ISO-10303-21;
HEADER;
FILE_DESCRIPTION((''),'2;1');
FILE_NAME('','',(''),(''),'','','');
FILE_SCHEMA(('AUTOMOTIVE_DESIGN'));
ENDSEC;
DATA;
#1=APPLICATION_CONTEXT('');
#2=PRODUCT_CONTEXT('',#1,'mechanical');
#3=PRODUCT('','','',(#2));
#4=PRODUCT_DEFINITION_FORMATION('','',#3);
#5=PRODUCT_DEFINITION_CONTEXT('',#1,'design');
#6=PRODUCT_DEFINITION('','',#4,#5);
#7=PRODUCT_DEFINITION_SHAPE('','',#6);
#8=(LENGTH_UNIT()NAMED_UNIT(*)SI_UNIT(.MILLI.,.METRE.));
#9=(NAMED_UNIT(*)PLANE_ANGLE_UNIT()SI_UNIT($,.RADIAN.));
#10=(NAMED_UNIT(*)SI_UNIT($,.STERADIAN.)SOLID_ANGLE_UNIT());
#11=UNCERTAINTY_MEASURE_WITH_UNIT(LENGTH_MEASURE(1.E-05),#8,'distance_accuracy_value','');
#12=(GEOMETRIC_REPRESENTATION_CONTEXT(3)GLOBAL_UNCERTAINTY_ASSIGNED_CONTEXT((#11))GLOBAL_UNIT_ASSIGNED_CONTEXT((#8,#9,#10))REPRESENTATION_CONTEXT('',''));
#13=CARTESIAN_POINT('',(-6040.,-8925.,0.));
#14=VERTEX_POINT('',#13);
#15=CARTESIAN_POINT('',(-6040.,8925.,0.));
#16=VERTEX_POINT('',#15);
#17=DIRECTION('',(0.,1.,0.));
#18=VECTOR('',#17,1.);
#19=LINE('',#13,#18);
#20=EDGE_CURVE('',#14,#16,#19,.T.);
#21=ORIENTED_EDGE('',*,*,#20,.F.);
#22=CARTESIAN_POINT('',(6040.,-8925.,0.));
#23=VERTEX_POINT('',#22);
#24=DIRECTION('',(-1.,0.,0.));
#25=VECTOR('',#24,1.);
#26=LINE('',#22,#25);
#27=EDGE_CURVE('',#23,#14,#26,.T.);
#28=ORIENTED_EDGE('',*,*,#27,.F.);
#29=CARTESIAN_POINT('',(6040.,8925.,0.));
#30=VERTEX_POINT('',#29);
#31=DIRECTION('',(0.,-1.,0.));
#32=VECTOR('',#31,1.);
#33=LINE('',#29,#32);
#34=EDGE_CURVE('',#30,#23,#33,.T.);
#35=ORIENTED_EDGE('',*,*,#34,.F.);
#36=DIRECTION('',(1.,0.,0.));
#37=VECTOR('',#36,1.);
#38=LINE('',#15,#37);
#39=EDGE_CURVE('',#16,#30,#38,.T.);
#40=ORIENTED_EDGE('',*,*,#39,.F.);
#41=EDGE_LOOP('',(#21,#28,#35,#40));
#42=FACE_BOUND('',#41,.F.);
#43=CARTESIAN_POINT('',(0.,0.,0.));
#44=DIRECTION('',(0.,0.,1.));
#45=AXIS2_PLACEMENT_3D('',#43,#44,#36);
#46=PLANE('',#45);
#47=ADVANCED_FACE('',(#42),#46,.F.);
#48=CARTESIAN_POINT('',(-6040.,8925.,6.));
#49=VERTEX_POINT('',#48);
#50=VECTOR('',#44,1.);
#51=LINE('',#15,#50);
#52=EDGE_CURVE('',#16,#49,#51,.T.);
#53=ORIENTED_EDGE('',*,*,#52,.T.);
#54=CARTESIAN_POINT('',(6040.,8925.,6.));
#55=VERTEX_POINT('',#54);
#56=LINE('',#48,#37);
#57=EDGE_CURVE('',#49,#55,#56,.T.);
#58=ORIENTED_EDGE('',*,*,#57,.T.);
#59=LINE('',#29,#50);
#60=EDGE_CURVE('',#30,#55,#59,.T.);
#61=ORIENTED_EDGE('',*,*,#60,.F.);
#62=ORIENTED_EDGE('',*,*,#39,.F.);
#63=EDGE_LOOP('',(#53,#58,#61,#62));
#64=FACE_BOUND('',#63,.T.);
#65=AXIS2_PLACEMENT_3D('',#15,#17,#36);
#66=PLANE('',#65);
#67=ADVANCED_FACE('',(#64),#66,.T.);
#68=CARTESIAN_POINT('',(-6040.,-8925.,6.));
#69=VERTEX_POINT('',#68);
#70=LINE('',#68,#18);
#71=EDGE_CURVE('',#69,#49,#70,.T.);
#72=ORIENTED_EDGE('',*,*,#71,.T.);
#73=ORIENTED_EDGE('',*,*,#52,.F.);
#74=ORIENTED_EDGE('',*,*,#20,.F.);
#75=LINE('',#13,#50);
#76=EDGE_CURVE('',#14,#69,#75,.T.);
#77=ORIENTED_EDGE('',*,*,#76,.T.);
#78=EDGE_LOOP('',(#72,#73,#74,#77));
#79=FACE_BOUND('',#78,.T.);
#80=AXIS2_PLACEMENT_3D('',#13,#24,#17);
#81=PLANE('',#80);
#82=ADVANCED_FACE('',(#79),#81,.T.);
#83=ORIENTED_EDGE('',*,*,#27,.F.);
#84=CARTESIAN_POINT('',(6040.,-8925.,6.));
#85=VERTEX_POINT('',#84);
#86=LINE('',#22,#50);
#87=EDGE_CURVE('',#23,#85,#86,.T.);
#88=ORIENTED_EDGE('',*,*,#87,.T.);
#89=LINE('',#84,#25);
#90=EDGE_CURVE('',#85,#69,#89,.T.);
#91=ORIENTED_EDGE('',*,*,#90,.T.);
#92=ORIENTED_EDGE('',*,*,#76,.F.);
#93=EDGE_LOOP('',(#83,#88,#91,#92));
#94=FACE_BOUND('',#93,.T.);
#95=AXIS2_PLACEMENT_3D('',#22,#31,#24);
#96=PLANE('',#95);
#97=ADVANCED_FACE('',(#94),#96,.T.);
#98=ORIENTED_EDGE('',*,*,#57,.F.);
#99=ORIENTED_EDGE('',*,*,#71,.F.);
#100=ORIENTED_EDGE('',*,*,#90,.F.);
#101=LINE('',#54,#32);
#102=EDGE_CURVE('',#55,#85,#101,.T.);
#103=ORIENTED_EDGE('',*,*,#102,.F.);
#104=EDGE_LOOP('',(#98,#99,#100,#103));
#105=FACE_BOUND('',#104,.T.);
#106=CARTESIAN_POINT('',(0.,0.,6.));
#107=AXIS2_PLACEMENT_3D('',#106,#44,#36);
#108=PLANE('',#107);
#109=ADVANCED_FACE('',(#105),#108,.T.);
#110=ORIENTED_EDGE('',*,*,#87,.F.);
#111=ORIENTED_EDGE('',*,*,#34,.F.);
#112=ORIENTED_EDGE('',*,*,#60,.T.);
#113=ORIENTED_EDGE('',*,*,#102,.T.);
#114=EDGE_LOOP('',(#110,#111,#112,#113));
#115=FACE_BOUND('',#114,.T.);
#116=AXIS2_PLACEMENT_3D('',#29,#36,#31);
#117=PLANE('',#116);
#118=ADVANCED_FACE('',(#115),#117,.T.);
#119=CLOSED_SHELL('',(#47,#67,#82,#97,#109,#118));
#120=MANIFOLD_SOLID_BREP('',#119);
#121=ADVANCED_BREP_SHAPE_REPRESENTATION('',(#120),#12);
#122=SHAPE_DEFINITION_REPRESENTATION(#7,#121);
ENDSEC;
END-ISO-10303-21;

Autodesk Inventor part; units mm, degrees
ref_plane "YZ Plane" through (0, 0, 0) normal (1, 0, 0) x (0, 1, 0)
ref_plane "XZ Plane" through (0, 0, 0) normal (0, 1, 0) x (-1, 0, 0)
ref_plane "XY Plane" through (0, 0, 0) normal (0, 0, 1) x (1, 0, 0)
sketch "Sketch1" plane through (0, 0, 0) normal (0, 0, 1) x (1, 0, 0)
  line L0 (6040, -8925) -> (-6040, -8925)
  line L1 (-6040, -8925) -> (-6040, 8925)
  line L2 (-6040, 8925) -> (6040, 8925)
  line L3 (6040, 8925) -> (6040, -8925)
  line L4 (6040, -8925) -> (-6040, 8925) construction
  line L5 (-6040, -8925) -> (6040, 8925) construction
  point P0 (0, 0)
  dimension "d0" = 12080
  dimension "d1" = 17850
extrude "Plate1" add sketch "Sketch1" along normal blind 6
sketch "Sketch2" plane through (0, 0, 6) normal (0, 0, 1) x (1, 0, 0)
  line L0 (6040, 8925) -> (6040, -8925)
  line L1 (-6040, 8925) -> (6040, 8925) projected
  line L2 (-6040, -8925) -> (-6040, 8925) projected
  line L3 (6040, -8925) -> (-6040, -8925) projected
  line L4 (5840, -8725) -> (5840, 8725)
  line L5 (5840, 8725) -> (-5840, 8725)
  line L6 (-5840, 8725) -> (-5840, -8725)
  line L7 (-5840, -8725) -> (5840, -8725)
  line L8 (6040, 8925) -> (-6040, 8925) projected
  line L9 (6040, 8925) -> (4540, 8925)
  line L10 (4540, 8925) -> (4540, 5925)
  line L11 (4540, 5925) -> (6040, 5925)
  line L12 (6040, 5925) -> (6040, 8925)
  line L13 (6040, -8925) -> (6040, 8925) projected
  line L14 (6040, 5915.3074) -> (4540, 5915.3074)
  line L15 (4540, 5915.3074) -> (4540, 2719.1164)
  line L16 (4540, 2719.1164) -> (6040, 2719.1164)
  line L17 (6040, 2719.1164) -> (6040, 5915.3074)
  line L18 (4480.7937, 7302.624) -> (2980.7937, 7302.624)
  line L19 (2980.7937, 7302.624) -> (2980.7937, 4345.2957)
  line L20 (2980.7937, 4345.2957) -> (4480.7937, 4345.2957)
  line L21 (4480.7937, 4345.2957) -> (4480.7937, 7302.624)
  line L22 (6040, 6064.5316) -> (4414.8344, 6064.5316) construction
  line L23 (4414.8344, 6064.5316) -> (4414.8344, 5939.4754) construction
  line L24 (4414.8344, 5939.4754) -> (6040, 5939.4754) construction
  line L25 (6040, 5939.4754) -> (6040, 6064.5316) construction
  line L26 (4414.8344, 5939.4754) -> (4552.3842, 5939.4754) construction
  line L27 (4552.3842, 5939.4754) -> (4552.3842, 4470.5931) construction
  line L28 (4552.3842, 4470.5931) -> (4414.8344, 4470.5931) construction
  line L29 (4414.8344, 4470.5931) -> (4414.8344, 5939.4754) construction
  line L30 (4521.5038, 8925) -> (3021.5038, 8925)
  line L31 (3021.5038, 8925) -> (3021.5038, 7257.6876)
  line L32 (3021.5038, 7257.6876) -> (4521.5038, 7257.6876)
  line L33 (4521.5038, 7257.6876) -> (4521.5038, 8925)
  line L34 (4548.1732, 8919.3279) -> (4414.8344, 8919.3279) construction
  line L35 (4414.8344, 8919.3279) -> (4414.8344, 6064.5316) construction
  line L36 (4414.8344, 6064.5316) -> (4548.1732, 6064.5316) construction
  line L37 (4548.1732, 6064.5316) -> (4548.1732, 8919.3279) construction
  line L38 (-6040, -8925) -> (-3545.5767, -8925)
  line L39 (-3545.5767, -8925) -> (-3545.5767, -2421.1359)
  line L40 (-3545.5767, -2421.1359) -> (-6040, -2421.1359)
  line L41 (-6040, -2421.1359) -> (-6040, -8925)
  dimension "d17" = 200
  dimension "d18" = 1500
  dimension "d19" = 3000
equation "\"d2\" = Thickness"
equation "\"BendRadius\" = Thickness"
equation "\"BendReliefWidth\" = Thickness"
equation "\"BendReliefDepth\" = 0.5 * Thickness"
equation "\"CornerReliefSize\" = 4 * Thickness"
equation "\"MinimumRemnant\" = 2 * Thickness"
equation "\"TransitionRadius\" = BendRadius"
equation "\"JacobiRadiusSize\" = BendRadius"
equation "\"GapSize\" = Thickness"
equation "\"Thickness\" = 6"
